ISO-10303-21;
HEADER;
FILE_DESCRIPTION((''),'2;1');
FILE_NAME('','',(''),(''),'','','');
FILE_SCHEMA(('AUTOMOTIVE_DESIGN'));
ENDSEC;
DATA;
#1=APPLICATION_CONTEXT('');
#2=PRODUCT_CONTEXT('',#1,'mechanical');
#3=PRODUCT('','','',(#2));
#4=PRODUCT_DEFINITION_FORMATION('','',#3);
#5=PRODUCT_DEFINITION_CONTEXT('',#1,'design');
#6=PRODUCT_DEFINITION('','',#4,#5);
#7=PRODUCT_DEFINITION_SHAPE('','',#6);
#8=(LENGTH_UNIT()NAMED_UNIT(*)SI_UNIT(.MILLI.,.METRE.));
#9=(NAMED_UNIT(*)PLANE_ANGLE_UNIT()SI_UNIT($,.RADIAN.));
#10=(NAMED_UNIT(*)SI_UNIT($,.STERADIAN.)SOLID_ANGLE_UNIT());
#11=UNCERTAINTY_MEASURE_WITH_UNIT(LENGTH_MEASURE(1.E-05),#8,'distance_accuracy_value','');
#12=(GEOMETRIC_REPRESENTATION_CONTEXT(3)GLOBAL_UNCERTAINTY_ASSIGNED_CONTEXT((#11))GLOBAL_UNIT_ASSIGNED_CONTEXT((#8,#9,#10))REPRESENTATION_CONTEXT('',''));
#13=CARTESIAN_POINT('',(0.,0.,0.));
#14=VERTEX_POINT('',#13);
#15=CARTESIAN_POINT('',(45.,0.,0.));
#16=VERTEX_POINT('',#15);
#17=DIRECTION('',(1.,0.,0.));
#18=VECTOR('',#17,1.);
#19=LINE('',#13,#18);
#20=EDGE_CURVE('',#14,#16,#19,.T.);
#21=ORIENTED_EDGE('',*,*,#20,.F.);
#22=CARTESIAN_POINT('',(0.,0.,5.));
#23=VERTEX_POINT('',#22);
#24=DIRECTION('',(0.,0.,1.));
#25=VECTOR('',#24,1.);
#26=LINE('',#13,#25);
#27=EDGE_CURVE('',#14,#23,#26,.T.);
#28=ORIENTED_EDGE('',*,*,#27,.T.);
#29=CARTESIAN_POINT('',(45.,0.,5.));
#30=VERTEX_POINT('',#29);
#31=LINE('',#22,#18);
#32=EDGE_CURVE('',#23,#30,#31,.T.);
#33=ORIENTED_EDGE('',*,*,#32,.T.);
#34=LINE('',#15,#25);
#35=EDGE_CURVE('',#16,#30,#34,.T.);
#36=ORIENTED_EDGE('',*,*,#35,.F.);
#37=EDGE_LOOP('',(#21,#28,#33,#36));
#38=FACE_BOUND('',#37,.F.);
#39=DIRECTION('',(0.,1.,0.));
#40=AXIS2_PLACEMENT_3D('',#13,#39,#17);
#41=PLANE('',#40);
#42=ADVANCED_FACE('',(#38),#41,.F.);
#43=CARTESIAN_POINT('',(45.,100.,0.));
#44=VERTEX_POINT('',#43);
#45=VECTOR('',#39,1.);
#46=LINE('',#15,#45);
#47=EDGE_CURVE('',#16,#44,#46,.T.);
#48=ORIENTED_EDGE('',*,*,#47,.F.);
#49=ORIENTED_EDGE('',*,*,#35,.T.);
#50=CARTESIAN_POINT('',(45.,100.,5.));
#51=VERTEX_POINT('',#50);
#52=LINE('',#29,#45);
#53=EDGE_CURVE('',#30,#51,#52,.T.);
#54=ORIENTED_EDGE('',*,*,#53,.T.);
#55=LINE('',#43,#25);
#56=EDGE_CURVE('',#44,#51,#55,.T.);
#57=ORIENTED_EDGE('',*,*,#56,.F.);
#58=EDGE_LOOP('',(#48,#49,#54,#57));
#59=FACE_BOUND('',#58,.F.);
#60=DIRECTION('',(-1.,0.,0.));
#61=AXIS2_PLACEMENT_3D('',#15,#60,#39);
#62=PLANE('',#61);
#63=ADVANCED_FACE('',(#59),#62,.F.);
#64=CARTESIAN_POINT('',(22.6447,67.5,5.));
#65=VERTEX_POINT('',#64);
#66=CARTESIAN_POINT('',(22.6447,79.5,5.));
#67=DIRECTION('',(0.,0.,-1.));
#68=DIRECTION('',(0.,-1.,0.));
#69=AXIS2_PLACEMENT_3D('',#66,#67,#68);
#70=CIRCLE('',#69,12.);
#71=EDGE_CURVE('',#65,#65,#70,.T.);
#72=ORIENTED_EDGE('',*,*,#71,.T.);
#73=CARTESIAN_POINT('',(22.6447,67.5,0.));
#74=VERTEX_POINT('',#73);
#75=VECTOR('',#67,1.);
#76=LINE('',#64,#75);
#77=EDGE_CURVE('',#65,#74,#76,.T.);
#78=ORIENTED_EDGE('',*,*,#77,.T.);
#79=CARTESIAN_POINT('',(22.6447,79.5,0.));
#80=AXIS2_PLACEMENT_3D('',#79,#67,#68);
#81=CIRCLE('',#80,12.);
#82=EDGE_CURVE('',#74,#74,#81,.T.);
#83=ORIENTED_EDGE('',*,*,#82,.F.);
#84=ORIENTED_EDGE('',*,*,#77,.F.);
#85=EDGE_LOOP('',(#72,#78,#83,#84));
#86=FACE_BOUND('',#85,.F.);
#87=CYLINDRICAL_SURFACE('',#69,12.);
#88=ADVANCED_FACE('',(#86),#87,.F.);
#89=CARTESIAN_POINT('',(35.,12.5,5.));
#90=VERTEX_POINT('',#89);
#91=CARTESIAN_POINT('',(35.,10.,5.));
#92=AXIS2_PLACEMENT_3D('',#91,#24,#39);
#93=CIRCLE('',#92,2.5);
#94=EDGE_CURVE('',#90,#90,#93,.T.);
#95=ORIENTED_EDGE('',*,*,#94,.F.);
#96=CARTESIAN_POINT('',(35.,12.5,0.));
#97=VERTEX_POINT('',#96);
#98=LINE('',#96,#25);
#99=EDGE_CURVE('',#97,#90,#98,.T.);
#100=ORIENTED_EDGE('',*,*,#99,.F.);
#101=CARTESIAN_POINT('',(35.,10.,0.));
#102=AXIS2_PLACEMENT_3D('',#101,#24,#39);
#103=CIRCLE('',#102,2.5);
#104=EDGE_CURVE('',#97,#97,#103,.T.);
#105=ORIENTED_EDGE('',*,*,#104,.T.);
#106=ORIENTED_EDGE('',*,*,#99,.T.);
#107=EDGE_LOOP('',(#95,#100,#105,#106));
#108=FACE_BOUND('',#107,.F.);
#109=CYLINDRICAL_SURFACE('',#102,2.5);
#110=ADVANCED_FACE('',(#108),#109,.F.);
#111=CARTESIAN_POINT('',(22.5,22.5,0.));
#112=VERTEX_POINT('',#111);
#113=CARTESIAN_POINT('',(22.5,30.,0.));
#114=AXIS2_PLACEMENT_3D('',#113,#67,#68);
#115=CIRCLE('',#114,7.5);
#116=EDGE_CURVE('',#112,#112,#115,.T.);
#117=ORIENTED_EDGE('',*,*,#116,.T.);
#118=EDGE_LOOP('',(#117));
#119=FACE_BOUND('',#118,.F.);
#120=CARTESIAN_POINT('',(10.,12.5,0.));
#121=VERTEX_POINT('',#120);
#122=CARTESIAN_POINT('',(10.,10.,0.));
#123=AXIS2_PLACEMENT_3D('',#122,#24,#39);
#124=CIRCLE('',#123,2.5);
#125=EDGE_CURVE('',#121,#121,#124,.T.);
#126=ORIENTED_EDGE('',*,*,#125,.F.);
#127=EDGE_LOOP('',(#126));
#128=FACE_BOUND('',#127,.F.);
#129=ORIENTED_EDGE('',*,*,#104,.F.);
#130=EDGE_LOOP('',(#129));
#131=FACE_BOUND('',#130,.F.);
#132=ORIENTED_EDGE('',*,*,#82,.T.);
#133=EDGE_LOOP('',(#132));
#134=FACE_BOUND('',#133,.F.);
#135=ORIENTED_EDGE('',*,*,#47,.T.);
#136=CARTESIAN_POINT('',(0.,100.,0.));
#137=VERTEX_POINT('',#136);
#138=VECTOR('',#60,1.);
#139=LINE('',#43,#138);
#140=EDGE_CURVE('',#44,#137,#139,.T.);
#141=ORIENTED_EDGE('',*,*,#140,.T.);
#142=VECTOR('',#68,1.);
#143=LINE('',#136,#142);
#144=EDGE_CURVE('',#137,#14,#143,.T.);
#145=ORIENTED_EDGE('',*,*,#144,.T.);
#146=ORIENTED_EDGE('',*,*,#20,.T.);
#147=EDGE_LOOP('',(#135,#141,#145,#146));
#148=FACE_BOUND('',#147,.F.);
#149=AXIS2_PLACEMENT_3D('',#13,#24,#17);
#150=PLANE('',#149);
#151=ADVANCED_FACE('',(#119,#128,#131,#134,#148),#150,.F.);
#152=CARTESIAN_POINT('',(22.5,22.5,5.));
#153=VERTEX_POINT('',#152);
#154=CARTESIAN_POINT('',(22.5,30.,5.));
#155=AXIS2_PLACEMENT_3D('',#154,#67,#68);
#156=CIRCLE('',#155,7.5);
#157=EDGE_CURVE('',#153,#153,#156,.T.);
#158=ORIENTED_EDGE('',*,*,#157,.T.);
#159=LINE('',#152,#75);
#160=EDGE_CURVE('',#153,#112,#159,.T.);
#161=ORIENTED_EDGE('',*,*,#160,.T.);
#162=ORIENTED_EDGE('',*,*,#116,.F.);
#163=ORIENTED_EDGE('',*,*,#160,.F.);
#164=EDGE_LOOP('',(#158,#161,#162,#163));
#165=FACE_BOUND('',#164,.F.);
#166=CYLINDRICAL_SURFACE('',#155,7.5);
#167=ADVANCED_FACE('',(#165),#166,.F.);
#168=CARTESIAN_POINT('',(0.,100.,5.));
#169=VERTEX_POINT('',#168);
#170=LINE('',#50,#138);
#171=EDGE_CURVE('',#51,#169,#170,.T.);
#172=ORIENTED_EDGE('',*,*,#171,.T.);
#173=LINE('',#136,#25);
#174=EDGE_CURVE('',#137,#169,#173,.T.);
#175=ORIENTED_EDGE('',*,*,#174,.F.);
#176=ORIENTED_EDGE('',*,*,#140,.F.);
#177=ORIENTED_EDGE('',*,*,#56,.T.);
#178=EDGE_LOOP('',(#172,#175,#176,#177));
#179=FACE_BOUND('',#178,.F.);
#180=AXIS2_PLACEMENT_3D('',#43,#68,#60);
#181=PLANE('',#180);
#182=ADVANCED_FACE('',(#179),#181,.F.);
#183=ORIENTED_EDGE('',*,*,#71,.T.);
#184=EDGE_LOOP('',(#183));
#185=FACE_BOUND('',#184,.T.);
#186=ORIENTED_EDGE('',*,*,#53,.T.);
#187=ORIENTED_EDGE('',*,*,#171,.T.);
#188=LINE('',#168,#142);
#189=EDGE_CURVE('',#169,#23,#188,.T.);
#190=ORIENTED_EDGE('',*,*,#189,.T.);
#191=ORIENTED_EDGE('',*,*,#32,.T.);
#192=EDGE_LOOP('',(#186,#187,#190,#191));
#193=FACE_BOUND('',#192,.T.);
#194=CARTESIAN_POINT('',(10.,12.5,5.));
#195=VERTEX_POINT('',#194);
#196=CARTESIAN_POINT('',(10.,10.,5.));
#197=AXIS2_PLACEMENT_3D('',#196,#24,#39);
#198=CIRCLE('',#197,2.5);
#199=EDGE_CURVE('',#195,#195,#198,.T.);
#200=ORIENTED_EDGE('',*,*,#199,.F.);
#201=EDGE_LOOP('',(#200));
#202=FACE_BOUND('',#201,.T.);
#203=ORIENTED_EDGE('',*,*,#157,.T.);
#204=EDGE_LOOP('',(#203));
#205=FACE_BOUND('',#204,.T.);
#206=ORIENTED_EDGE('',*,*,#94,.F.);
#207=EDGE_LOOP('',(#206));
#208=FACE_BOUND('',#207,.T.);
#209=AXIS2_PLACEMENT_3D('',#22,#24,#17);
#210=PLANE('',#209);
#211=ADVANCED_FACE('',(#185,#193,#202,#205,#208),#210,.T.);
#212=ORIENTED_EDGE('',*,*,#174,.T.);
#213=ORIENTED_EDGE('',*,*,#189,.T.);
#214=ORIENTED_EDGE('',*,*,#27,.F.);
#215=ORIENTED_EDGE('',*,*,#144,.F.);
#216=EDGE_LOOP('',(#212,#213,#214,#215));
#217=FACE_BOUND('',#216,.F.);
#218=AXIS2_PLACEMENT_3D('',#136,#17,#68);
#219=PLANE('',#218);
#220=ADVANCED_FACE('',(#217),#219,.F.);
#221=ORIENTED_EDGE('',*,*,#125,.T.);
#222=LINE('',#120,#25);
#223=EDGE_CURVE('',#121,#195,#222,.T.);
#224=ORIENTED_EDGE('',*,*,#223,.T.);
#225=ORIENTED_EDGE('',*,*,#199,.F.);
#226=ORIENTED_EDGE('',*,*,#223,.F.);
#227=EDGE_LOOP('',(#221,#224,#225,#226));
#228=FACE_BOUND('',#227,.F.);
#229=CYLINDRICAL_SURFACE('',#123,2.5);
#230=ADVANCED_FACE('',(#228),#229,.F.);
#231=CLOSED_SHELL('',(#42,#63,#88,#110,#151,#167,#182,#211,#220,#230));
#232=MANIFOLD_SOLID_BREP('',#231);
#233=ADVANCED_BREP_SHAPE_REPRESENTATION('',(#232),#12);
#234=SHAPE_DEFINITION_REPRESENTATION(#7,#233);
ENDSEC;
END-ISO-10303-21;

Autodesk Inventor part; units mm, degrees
ref_plane "YZ Plane" through (0, 0, 0) normal (1, 0, 0) x (0, 1, 0)
ref_plane "XZ Plane" through (0, 0, 0) normal (0, 1, 0) x (-1, 0, 0)
ref_plane "XY Plane" through (0, 0, 0) normal (0, 0, 1) x (1, 0, 0)
sketch "スケッチ1" plane through (0, 0, 0) normal (0, 0, 1) x (1, 0, 0)
  line L0 (0, 0) -> (45, 0)
  line L1 (45, 0) -> (45, 100)
  line L2 (45, 100) -> (0, 100)
  line L3 (0, 100) -> (0, 0)
  dimension "d0" = 100
  dimension "d1" = 45
extrude "押し出し1" add sketch "スケッチ1" along normal blind 5
sketch "スケッチ2" plane through (0, 0, 5) normal (0, 0, 1) x (1, 0, 0)
  line L0 (0, 0) -> (45, 0) projected
  point P0 (22.6447, 79.5)
  dimension "d4" = 79.5
hole "穴1" at (22.6447, 79.5, 5) direction (0, 0, -1) diameter 24 end through all
sketch "スケッチ3" plane through (0, 0, 0) normal (0, 0, -1) x (-1, 0, 0)
  line L0 (0, 0) -> (-45, 0) projected
  line L1 (-45, 0) -> (-45, 100) projected
  line L2 (0, 100) -> (0, 0) projected
  point P0 (-10, 10)
  point P1 (-35, 10)
  dimension "d12" = 10
  dimension "d13" = 10
  dimension "d14" = 10
  dimension "d15" = 10
hole "穴2" at (10, 10, 0) at (35, 10, 0) direction (0, 0, 1) diameter 5 end through all
sketch "スケッチ4" plane through (0, 0, 5) normal (0, 0, 1) x (1, 0, 0)
  line L0 (0, 100) -> (0, 0) projected
  line L1 (0, 0) -> (45, 0) projected
  point P0 (22.5, 30)
  dimension "d23" = 22.5
  dimension "d24" = 30
hole "穴3" at (22.5, 30, 5) direction (0, 0, -1) diameter 15 depth 8 tip angle 118
properties part number "回転軸取り付け板"
